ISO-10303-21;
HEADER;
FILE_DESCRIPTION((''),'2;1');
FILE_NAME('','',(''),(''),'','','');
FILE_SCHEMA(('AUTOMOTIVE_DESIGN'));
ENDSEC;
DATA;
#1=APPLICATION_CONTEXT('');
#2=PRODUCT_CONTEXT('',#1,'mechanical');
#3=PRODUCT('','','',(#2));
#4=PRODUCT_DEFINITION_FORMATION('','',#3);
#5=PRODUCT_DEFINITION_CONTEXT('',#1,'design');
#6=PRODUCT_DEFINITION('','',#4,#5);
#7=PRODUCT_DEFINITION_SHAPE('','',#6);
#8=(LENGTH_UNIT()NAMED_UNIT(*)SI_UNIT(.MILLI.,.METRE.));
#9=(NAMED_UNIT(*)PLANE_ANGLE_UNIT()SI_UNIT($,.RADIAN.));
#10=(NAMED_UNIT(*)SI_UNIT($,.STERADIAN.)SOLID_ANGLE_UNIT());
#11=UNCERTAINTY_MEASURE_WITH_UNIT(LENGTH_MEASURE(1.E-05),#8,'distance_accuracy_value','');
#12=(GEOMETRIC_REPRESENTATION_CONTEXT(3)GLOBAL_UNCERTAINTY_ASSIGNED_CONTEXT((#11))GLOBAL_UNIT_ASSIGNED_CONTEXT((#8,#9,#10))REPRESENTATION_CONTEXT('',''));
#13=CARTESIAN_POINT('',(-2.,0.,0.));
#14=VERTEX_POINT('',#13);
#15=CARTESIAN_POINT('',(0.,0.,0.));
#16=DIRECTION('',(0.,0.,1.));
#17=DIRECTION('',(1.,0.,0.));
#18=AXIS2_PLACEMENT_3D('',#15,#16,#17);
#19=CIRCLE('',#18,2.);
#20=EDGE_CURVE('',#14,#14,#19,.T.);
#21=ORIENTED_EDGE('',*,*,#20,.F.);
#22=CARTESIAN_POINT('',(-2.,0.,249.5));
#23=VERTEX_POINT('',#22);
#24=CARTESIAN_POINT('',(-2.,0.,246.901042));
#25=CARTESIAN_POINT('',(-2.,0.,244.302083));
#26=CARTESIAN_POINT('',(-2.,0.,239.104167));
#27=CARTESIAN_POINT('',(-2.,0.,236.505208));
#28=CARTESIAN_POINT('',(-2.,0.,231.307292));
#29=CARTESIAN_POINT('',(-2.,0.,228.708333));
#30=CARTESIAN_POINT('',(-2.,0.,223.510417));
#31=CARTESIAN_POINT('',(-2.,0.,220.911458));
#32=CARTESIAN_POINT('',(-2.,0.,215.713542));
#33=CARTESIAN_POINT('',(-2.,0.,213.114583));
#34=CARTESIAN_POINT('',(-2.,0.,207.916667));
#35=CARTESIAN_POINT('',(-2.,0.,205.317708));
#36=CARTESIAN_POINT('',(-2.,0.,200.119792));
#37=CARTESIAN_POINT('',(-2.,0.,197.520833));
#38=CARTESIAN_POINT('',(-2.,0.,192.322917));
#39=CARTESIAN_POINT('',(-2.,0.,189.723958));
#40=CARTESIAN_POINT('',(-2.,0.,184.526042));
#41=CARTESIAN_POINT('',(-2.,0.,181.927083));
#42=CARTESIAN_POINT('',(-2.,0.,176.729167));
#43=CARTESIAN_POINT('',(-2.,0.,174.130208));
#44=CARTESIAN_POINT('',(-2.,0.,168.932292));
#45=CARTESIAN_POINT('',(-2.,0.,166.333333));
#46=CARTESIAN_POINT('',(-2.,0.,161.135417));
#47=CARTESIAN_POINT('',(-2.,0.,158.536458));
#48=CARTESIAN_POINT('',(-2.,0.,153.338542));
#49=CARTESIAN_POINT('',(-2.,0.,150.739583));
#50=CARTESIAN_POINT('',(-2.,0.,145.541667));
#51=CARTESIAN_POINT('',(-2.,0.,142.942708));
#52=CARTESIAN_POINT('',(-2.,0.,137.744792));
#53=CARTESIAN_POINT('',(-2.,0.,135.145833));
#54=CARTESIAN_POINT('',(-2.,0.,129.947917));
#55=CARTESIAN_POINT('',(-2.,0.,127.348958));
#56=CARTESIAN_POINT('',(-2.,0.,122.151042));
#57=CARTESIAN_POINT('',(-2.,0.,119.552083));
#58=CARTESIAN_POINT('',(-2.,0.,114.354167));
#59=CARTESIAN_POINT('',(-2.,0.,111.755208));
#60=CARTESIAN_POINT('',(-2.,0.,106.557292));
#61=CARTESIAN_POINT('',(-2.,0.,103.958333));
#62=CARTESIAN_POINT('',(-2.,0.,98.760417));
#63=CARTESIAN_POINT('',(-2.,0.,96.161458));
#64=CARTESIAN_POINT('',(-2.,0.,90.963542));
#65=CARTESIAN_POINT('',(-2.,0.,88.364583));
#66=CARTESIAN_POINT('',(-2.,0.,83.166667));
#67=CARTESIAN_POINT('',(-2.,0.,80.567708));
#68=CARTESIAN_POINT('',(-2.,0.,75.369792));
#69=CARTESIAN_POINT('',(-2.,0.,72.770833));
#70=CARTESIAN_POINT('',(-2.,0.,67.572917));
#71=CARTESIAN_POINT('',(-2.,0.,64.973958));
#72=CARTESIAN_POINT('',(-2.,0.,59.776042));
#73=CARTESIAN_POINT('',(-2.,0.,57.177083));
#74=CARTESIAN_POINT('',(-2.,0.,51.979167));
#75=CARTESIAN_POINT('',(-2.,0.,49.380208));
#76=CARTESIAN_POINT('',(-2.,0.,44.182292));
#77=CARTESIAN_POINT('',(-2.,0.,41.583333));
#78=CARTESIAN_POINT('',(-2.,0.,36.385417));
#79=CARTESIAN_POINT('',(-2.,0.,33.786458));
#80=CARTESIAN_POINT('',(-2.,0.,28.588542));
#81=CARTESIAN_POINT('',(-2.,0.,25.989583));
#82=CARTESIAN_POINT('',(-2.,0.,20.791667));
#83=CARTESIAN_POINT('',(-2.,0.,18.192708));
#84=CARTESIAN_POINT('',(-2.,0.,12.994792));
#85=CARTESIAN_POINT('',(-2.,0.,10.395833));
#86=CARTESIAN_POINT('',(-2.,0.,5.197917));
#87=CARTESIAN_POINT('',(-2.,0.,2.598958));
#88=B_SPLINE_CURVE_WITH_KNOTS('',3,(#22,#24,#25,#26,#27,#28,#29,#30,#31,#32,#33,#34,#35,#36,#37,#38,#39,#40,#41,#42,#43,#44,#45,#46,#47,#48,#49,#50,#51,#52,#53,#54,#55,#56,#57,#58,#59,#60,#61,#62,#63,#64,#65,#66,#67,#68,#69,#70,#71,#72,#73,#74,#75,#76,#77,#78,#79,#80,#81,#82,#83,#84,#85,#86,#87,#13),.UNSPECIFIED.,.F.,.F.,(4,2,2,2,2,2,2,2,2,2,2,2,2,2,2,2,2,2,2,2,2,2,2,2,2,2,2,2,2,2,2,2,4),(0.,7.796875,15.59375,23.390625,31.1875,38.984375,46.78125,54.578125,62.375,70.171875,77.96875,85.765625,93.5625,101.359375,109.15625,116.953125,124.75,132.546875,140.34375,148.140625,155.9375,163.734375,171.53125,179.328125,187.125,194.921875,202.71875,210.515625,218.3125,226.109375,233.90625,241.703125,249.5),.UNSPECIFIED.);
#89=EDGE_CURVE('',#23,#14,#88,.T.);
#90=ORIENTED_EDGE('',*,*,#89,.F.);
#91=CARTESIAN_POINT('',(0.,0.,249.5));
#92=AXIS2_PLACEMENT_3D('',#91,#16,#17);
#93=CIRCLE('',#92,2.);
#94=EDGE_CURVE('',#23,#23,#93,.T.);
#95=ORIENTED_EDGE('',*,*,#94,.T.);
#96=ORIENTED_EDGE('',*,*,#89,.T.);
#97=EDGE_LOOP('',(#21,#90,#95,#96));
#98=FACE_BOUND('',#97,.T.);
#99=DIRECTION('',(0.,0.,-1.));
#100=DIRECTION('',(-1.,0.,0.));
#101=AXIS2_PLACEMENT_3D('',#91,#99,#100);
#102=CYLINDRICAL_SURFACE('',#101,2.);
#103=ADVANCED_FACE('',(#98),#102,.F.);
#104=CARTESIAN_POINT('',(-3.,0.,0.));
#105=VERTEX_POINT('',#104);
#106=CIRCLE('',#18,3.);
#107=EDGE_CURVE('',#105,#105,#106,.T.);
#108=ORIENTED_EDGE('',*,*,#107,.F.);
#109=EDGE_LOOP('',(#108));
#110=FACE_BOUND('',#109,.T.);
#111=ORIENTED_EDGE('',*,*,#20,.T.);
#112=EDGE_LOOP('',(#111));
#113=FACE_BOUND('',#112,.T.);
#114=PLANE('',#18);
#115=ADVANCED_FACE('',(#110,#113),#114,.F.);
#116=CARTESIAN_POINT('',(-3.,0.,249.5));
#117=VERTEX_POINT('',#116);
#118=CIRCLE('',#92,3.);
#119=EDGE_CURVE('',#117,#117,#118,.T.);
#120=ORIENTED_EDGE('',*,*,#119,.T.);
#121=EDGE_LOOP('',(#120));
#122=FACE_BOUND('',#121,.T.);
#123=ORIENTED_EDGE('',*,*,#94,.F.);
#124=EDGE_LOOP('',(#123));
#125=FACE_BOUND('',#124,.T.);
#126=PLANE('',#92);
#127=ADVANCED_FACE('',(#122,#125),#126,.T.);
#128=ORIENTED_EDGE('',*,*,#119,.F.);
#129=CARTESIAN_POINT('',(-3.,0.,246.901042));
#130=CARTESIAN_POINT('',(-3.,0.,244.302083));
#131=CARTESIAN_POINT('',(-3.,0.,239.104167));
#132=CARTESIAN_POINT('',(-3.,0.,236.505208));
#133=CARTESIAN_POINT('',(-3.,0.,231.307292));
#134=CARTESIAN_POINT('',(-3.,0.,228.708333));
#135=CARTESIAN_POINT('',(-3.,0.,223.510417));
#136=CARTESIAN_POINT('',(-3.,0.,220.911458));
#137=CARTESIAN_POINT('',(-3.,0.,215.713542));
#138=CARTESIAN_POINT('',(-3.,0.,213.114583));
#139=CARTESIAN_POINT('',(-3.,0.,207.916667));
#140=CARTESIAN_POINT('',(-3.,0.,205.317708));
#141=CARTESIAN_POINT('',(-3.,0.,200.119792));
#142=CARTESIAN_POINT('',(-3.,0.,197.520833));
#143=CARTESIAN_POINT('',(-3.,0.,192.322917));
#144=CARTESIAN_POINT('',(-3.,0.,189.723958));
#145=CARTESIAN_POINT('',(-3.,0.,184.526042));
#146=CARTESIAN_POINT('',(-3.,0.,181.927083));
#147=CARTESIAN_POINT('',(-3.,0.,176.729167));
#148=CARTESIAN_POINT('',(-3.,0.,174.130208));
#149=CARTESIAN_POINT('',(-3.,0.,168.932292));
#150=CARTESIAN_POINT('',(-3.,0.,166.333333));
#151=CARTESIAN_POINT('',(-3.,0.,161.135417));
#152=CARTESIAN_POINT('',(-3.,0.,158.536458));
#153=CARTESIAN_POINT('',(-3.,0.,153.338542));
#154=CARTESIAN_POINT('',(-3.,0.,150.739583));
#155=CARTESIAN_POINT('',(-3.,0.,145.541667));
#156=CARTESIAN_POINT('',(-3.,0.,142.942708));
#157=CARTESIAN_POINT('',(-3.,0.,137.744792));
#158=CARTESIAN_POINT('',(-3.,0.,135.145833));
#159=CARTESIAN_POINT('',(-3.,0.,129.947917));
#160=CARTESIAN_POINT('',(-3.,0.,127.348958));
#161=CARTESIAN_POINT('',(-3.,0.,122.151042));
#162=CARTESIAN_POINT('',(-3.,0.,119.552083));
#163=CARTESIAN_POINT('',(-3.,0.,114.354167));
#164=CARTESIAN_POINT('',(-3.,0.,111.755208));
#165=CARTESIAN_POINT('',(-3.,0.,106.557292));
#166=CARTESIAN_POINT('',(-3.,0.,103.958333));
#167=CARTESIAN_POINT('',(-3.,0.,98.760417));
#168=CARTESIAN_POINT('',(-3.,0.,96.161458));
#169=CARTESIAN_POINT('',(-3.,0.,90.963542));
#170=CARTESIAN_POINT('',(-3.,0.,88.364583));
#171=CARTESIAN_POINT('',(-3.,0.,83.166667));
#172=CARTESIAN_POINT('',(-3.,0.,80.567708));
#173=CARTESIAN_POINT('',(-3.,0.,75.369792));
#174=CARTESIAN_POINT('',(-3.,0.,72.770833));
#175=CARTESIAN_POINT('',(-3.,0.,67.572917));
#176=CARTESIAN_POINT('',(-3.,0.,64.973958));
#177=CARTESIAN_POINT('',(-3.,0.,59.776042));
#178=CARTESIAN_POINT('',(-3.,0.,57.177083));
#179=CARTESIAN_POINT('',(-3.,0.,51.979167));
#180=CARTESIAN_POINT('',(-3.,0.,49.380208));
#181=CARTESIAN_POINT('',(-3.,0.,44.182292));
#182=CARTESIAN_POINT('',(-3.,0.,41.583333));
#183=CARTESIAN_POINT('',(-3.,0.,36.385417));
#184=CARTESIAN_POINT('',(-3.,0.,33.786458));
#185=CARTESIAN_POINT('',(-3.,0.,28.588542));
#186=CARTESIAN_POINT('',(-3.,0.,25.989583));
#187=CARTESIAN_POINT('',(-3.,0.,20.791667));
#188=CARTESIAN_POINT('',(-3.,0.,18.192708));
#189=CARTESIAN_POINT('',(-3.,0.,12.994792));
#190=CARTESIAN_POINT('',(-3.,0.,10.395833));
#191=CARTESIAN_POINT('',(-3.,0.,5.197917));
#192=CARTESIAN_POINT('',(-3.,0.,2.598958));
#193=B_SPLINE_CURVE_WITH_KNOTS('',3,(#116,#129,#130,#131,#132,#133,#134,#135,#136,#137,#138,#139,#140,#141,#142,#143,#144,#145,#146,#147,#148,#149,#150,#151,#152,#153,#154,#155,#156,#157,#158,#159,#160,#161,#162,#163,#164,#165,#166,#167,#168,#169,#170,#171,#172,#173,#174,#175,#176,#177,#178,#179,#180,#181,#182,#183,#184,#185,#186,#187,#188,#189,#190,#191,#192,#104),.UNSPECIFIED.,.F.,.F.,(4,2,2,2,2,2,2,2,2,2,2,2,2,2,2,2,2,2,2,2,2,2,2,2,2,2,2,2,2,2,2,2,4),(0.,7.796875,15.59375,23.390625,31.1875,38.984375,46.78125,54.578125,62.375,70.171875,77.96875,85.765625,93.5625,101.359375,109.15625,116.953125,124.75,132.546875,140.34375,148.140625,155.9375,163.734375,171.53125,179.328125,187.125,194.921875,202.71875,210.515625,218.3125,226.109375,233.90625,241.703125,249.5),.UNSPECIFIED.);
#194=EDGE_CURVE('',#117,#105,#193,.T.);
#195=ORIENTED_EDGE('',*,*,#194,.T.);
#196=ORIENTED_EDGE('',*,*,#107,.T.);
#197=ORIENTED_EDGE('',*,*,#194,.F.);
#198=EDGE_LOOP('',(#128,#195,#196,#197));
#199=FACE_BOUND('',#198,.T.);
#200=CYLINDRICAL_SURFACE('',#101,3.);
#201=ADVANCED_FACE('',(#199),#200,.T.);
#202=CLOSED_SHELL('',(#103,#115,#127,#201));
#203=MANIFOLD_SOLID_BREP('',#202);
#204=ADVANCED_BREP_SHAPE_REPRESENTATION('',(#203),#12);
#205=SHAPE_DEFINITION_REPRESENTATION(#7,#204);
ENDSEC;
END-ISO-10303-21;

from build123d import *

# Parameters (mm, degrees)
ESQUISSE1_R        = 3
ESQUISSE1_R_2      = 2
EXTRU_MINCE1_DEPTH = 249.5


with BuildPart() as part:
    # Esquisse1 → Extru.-Mince1 (new body)
    with BuildSketch(Plane.XY):
        Circle(ESQUISSE1_R)
        Circle(ESQUISSE1_R_2, mode=Mode.SUBTRACT)
    extrude(amount=EXTRU_MINCE1_DEPTH)


solid = part.part
